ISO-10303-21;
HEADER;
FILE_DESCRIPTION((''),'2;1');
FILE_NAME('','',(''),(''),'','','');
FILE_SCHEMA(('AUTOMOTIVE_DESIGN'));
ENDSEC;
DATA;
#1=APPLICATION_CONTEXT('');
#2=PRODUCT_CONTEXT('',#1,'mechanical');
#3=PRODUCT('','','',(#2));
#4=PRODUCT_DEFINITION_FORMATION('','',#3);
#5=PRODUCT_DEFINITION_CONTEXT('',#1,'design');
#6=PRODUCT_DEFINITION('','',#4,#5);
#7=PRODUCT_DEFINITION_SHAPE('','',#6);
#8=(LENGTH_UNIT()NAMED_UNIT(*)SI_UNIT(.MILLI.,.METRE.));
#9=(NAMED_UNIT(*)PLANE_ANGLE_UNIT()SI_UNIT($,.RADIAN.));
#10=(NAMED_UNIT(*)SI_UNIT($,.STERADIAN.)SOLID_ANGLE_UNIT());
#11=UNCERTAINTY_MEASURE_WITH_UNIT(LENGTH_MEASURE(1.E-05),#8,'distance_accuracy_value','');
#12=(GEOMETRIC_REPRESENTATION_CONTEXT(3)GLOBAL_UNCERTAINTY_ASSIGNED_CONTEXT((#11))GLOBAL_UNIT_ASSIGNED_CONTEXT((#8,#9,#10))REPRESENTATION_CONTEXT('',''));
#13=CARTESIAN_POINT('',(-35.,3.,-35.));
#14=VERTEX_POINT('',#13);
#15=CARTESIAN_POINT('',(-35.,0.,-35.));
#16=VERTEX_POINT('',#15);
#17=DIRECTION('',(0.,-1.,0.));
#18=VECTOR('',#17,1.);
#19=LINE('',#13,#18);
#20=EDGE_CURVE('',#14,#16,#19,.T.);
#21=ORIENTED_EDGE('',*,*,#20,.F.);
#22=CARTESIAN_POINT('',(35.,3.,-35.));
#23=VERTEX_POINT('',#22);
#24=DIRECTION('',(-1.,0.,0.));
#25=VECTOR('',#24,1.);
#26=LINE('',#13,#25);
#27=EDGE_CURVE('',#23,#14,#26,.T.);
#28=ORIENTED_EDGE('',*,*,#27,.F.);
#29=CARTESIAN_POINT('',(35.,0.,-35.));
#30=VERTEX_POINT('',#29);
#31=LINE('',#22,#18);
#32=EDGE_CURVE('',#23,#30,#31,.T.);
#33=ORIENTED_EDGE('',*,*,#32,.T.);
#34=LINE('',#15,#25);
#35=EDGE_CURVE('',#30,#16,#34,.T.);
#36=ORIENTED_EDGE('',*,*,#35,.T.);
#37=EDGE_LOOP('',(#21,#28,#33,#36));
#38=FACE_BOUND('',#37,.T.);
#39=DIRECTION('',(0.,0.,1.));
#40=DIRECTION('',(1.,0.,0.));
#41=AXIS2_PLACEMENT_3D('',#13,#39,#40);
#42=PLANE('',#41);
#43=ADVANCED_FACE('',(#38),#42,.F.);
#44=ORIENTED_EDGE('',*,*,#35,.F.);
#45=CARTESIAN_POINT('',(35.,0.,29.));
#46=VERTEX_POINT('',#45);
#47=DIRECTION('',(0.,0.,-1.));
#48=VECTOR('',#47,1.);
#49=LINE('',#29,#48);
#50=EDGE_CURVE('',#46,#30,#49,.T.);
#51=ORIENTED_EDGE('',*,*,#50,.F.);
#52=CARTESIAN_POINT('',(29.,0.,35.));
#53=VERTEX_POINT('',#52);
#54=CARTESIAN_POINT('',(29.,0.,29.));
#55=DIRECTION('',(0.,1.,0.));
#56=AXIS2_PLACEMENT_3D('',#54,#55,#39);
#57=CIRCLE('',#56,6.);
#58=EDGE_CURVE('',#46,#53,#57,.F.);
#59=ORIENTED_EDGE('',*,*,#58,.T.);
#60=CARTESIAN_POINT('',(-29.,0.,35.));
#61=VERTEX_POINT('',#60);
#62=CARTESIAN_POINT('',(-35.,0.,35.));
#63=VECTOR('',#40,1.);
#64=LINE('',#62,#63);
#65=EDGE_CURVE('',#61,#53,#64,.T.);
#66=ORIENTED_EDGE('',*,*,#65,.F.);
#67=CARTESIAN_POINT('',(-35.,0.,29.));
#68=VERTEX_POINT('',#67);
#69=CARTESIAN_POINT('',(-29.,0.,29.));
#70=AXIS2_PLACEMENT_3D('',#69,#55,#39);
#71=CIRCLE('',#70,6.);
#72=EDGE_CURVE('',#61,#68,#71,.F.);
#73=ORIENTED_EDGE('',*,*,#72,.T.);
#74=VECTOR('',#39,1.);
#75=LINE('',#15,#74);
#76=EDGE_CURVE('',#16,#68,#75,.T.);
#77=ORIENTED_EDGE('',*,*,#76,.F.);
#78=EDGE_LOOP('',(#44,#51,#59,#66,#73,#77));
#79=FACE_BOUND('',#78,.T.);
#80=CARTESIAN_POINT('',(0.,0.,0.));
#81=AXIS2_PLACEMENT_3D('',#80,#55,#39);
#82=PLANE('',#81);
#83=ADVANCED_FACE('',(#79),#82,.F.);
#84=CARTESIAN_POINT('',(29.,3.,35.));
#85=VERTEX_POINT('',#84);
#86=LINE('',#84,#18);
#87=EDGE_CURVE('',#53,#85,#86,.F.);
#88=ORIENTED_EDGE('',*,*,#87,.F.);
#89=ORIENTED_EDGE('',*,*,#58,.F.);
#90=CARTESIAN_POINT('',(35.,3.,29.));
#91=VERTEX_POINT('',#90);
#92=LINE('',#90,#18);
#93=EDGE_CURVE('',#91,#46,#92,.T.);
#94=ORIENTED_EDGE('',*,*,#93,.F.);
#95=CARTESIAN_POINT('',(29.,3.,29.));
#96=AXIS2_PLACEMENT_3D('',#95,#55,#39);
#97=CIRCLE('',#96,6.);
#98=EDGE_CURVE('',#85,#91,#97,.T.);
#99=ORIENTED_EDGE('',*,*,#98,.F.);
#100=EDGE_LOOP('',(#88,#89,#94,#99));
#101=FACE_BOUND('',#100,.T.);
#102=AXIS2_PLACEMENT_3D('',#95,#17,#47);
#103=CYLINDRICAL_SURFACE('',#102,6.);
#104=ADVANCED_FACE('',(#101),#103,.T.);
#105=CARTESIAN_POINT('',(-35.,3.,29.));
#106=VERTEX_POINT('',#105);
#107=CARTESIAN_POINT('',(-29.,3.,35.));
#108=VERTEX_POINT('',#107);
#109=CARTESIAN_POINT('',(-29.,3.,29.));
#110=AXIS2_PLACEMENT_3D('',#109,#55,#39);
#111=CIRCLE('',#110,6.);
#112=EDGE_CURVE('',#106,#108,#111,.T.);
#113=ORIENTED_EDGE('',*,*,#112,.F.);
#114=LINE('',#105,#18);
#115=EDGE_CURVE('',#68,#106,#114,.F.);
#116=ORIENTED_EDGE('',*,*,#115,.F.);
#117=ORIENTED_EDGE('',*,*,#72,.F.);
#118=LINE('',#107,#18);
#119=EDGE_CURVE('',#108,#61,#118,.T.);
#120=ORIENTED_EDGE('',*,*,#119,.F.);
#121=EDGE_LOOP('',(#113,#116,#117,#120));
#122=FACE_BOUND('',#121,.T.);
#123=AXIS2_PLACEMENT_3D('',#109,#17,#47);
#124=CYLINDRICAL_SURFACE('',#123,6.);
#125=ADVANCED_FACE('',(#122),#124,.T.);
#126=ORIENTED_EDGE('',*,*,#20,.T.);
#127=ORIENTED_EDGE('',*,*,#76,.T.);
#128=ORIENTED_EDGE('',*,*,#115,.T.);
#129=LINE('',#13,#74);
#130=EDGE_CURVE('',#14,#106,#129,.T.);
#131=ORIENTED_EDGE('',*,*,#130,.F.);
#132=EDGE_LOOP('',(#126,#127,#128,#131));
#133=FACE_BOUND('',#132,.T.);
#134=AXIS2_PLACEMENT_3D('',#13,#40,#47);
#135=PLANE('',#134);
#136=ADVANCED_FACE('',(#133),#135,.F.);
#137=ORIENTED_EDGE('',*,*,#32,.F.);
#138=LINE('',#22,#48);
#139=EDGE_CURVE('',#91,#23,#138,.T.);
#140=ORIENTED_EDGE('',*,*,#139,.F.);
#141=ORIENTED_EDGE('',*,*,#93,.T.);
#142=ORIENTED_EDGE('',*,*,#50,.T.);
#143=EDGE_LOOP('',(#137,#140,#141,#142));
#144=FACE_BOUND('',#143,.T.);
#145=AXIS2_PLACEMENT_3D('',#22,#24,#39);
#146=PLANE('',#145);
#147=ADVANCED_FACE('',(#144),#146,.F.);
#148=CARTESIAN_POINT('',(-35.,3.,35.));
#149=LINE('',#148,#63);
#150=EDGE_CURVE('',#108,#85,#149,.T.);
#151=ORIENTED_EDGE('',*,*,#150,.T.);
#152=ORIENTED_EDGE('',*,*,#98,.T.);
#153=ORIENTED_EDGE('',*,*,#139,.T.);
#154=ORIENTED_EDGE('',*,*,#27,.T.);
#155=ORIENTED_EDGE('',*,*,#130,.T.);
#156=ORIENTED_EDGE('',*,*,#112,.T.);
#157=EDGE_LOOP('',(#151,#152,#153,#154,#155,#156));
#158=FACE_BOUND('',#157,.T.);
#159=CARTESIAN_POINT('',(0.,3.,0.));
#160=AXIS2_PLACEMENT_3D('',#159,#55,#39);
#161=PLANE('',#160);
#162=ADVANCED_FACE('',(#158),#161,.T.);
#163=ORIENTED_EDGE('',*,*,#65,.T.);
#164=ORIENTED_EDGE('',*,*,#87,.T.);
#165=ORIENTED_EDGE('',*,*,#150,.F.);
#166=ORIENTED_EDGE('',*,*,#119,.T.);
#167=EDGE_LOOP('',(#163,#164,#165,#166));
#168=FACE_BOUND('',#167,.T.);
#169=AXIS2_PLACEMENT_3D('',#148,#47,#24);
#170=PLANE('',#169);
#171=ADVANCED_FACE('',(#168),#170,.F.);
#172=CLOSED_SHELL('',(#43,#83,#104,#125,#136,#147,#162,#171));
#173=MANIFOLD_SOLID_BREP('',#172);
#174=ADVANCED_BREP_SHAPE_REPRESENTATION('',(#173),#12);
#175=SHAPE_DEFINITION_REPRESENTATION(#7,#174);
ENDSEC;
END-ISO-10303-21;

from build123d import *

# Parameters (mm, degrees)
SKETCH1_W           = 70
SKETCH1_H           = 70
BOSS_EXTRUDE1_DEPTH = 3
FILLET1_R           = 6


with BuildPart() as part:
    # Sketch1 → Boss-Extrude1 (new body)
    with BuildSketch(Plane(origin=(0, 0, 0), x_dir=(1, 0, 0), z_dir=(0, 1, 0))):
        Rectangle(SKETCH1_W, SKETCH1_H)
    extrude(amount=BOSS_EXTRUDE1_DEPTH)

    # Fillet1
    fillet1_edges = [part.edges().sort_by_distance(p)[0] for p in [
        (35, 1.5, 35),
        (-35, 1.5, 35),
    ]]
    fillet(fillet1_edges, radius=FILLET1_R)


solid = part.part
